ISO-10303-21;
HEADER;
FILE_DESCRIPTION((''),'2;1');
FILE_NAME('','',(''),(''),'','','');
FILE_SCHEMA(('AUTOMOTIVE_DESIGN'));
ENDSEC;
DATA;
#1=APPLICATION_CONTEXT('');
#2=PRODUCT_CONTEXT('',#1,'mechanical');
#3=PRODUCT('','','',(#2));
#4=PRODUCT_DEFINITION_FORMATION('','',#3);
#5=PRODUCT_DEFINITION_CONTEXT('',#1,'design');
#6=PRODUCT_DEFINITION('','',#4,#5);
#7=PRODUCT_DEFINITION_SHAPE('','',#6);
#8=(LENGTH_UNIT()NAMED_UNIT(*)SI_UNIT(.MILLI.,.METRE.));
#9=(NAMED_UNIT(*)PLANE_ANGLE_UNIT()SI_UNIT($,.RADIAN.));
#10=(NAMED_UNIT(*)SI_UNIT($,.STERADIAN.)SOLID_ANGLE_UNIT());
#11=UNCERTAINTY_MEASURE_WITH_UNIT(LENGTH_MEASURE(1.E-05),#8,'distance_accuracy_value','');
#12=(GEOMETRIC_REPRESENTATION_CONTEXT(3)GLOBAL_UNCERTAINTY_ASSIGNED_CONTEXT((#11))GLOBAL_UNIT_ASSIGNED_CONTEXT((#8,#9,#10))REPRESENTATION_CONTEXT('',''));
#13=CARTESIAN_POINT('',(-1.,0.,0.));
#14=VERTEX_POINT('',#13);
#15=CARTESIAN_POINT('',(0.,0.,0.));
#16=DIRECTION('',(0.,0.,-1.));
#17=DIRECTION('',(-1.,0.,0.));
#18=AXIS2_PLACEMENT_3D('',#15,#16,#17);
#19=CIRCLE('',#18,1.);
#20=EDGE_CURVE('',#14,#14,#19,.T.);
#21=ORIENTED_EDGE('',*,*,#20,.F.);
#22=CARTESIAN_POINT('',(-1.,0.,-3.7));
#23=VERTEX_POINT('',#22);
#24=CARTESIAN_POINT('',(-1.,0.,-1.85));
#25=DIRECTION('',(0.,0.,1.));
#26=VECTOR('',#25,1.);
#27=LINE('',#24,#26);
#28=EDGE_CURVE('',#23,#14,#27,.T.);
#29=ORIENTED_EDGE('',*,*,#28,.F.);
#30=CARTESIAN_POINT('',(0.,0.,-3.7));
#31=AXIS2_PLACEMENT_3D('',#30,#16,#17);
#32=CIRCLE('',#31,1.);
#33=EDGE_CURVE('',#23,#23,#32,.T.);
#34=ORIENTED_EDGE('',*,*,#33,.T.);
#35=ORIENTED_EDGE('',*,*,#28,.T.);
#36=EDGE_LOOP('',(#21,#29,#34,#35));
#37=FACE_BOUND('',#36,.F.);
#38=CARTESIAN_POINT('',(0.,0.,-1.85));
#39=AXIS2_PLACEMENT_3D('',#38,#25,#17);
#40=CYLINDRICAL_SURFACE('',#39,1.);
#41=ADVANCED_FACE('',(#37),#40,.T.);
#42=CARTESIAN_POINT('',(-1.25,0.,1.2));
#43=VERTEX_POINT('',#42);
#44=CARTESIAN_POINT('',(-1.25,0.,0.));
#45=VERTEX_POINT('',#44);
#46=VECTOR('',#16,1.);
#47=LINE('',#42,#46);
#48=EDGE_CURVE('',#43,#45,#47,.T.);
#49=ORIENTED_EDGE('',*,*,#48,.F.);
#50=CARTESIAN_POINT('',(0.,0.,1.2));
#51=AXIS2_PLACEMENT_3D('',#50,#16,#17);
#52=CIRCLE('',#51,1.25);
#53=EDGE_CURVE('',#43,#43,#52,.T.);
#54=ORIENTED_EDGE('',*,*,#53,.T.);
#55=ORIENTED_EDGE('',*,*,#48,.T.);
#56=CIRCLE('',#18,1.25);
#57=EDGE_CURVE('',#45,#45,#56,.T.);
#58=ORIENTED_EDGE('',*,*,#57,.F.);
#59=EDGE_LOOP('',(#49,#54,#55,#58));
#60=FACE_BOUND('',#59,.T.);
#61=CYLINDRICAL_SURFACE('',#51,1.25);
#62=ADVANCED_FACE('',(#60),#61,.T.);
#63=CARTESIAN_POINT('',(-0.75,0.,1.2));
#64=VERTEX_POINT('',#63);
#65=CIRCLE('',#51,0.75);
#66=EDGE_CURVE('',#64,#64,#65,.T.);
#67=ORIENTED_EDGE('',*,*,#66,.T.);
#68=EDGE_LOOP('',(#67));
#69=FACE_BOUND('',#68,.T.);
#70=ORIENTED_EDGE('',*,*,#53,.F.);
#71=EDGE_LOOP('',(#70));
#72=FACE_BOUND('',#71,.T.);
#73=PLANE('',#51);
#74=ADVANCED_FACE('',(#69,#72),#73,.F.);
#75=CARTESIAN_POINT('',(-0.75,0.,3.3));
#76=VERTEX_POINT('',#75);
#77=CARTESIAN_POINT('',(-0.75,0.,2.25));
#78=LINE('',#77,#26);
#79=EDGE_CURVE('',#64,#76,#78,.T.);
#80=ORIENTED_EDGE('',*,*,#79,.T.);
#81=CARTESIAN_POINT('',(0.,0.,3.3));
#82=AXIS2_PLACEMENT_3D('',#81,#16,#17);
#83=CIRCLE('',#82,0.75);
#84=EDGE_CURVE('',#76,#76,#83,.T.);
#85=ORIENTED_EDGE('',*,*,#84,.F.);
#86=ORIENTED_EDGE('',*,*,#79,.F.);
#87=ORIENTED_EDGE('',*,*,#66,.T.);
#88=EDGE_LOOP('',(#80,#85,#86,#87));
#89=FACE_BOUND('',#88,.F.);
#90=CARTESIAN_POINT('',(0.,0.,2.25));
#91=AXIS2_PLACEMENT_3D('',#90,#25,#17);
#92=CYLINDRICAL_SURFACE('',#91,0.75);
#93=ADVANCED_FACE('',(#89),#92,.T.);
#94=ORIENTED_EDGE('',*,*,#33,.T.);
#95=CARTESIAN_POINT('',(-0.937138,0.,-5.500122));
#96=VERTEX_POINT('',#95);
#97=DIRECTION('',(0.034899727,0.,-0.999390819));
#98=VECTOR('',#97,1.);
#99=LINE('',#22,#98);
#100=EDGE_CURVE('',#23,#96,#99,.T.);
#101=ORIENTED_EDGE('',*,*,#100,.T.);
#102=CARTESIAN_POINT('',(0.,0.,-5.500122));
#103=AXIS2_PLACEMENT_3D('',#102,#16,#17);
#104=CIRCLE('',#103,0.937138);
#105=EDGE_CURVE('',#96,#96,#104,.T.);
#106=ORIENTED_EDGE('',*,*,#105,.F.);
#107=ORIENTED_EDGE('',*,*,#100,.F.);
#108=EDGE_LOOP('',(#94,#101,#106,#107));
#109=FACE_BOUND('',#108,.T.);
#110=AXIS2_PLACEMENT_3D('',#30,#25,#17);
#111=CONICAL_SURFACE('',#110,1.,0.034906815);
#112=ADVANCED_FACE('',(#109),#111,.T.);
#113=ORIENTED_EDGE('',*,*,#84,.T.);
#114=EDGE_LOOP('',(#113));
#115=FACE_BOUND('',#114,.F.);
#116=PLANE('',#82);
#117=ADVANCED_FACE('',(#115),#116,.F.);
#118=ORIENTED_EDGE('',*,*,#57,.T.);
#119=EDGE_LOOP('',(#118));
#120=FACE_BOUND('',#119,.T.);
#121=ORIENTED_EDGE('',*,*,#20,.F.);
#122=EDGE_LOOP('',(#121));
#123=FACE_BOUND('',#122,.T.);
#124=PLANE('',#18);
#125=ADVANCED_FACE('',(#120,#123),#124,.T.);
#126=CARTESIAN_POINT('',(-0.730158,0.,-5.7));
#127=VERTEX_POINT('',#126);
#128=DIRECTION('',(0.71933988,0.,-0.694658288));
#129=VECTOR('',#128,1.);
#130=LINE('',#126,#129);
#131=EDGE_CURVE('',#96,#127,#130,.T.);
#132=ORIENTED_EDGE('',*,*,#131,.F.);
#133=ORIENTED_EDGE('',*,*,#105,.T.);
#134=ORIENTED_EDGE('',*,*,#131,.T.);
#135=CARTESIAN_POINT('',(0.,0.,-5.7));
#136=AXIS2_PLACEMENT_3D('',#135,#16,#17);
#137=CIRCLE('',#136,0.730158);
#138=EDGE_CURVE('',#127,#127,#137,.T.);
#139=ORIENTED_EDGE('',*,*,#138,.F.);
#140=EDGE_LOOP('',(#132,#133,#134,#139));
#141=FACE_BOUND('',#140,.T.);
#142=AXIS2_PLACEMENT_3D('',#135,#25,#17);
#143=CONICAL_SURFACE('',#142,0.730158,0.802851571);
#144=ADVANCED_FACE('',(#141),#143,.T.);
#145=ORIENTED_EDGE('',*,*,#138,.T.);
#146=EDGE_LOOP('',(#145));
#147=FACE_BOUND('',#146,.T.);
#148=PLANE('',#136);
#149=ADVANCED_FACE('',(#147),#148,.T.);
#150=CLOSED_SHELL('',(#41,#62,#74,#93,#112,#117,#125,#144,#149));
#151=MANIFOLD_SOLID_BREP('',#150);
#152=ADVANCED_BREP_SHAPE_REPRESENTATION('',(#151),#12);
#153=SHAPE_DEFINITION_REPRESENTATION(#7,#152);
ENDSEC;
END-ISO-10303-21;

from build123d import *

# Parameters (mm, degrees)
F0_W    = 0.75
F0_H    = 2.1
F0_W_2  = 1
F0_H_2  = 3.7
F2_SIZE = 0.2


with BuildPart() as f1:
    # F0 (on Front) → F1 (revolve)
    with BuildSketch(Plane.XZ):
        with Locations((-0.375, 2.25)):
            Rectangle(F0_W, F0_H)
        Polygon((-1.25, 1.2), (-1.25, 0), (-1, 0), (0, 0), (0, 1.2), (-0.75, 1.2), align=None)
        with Locations((-0.5, -1.85)):
            Rectangle(F0_W_2, F0_H_2)
        Polygon((0, -3.7), (-1, -3.7), (-0.930158, -5.7), (0, -5.7), align=None)
    revolve(axis=Axis((0, 0, -1.2), (0, 0, -1)))

    # F2
    f2_edges = [f1.edges().sort_by_distance(p)[0] for p in [
        (0.930158, 0, -5.7),
    ]]
    chamfer(f2_edges, length=F2_SIZE)


solid = f1.part
